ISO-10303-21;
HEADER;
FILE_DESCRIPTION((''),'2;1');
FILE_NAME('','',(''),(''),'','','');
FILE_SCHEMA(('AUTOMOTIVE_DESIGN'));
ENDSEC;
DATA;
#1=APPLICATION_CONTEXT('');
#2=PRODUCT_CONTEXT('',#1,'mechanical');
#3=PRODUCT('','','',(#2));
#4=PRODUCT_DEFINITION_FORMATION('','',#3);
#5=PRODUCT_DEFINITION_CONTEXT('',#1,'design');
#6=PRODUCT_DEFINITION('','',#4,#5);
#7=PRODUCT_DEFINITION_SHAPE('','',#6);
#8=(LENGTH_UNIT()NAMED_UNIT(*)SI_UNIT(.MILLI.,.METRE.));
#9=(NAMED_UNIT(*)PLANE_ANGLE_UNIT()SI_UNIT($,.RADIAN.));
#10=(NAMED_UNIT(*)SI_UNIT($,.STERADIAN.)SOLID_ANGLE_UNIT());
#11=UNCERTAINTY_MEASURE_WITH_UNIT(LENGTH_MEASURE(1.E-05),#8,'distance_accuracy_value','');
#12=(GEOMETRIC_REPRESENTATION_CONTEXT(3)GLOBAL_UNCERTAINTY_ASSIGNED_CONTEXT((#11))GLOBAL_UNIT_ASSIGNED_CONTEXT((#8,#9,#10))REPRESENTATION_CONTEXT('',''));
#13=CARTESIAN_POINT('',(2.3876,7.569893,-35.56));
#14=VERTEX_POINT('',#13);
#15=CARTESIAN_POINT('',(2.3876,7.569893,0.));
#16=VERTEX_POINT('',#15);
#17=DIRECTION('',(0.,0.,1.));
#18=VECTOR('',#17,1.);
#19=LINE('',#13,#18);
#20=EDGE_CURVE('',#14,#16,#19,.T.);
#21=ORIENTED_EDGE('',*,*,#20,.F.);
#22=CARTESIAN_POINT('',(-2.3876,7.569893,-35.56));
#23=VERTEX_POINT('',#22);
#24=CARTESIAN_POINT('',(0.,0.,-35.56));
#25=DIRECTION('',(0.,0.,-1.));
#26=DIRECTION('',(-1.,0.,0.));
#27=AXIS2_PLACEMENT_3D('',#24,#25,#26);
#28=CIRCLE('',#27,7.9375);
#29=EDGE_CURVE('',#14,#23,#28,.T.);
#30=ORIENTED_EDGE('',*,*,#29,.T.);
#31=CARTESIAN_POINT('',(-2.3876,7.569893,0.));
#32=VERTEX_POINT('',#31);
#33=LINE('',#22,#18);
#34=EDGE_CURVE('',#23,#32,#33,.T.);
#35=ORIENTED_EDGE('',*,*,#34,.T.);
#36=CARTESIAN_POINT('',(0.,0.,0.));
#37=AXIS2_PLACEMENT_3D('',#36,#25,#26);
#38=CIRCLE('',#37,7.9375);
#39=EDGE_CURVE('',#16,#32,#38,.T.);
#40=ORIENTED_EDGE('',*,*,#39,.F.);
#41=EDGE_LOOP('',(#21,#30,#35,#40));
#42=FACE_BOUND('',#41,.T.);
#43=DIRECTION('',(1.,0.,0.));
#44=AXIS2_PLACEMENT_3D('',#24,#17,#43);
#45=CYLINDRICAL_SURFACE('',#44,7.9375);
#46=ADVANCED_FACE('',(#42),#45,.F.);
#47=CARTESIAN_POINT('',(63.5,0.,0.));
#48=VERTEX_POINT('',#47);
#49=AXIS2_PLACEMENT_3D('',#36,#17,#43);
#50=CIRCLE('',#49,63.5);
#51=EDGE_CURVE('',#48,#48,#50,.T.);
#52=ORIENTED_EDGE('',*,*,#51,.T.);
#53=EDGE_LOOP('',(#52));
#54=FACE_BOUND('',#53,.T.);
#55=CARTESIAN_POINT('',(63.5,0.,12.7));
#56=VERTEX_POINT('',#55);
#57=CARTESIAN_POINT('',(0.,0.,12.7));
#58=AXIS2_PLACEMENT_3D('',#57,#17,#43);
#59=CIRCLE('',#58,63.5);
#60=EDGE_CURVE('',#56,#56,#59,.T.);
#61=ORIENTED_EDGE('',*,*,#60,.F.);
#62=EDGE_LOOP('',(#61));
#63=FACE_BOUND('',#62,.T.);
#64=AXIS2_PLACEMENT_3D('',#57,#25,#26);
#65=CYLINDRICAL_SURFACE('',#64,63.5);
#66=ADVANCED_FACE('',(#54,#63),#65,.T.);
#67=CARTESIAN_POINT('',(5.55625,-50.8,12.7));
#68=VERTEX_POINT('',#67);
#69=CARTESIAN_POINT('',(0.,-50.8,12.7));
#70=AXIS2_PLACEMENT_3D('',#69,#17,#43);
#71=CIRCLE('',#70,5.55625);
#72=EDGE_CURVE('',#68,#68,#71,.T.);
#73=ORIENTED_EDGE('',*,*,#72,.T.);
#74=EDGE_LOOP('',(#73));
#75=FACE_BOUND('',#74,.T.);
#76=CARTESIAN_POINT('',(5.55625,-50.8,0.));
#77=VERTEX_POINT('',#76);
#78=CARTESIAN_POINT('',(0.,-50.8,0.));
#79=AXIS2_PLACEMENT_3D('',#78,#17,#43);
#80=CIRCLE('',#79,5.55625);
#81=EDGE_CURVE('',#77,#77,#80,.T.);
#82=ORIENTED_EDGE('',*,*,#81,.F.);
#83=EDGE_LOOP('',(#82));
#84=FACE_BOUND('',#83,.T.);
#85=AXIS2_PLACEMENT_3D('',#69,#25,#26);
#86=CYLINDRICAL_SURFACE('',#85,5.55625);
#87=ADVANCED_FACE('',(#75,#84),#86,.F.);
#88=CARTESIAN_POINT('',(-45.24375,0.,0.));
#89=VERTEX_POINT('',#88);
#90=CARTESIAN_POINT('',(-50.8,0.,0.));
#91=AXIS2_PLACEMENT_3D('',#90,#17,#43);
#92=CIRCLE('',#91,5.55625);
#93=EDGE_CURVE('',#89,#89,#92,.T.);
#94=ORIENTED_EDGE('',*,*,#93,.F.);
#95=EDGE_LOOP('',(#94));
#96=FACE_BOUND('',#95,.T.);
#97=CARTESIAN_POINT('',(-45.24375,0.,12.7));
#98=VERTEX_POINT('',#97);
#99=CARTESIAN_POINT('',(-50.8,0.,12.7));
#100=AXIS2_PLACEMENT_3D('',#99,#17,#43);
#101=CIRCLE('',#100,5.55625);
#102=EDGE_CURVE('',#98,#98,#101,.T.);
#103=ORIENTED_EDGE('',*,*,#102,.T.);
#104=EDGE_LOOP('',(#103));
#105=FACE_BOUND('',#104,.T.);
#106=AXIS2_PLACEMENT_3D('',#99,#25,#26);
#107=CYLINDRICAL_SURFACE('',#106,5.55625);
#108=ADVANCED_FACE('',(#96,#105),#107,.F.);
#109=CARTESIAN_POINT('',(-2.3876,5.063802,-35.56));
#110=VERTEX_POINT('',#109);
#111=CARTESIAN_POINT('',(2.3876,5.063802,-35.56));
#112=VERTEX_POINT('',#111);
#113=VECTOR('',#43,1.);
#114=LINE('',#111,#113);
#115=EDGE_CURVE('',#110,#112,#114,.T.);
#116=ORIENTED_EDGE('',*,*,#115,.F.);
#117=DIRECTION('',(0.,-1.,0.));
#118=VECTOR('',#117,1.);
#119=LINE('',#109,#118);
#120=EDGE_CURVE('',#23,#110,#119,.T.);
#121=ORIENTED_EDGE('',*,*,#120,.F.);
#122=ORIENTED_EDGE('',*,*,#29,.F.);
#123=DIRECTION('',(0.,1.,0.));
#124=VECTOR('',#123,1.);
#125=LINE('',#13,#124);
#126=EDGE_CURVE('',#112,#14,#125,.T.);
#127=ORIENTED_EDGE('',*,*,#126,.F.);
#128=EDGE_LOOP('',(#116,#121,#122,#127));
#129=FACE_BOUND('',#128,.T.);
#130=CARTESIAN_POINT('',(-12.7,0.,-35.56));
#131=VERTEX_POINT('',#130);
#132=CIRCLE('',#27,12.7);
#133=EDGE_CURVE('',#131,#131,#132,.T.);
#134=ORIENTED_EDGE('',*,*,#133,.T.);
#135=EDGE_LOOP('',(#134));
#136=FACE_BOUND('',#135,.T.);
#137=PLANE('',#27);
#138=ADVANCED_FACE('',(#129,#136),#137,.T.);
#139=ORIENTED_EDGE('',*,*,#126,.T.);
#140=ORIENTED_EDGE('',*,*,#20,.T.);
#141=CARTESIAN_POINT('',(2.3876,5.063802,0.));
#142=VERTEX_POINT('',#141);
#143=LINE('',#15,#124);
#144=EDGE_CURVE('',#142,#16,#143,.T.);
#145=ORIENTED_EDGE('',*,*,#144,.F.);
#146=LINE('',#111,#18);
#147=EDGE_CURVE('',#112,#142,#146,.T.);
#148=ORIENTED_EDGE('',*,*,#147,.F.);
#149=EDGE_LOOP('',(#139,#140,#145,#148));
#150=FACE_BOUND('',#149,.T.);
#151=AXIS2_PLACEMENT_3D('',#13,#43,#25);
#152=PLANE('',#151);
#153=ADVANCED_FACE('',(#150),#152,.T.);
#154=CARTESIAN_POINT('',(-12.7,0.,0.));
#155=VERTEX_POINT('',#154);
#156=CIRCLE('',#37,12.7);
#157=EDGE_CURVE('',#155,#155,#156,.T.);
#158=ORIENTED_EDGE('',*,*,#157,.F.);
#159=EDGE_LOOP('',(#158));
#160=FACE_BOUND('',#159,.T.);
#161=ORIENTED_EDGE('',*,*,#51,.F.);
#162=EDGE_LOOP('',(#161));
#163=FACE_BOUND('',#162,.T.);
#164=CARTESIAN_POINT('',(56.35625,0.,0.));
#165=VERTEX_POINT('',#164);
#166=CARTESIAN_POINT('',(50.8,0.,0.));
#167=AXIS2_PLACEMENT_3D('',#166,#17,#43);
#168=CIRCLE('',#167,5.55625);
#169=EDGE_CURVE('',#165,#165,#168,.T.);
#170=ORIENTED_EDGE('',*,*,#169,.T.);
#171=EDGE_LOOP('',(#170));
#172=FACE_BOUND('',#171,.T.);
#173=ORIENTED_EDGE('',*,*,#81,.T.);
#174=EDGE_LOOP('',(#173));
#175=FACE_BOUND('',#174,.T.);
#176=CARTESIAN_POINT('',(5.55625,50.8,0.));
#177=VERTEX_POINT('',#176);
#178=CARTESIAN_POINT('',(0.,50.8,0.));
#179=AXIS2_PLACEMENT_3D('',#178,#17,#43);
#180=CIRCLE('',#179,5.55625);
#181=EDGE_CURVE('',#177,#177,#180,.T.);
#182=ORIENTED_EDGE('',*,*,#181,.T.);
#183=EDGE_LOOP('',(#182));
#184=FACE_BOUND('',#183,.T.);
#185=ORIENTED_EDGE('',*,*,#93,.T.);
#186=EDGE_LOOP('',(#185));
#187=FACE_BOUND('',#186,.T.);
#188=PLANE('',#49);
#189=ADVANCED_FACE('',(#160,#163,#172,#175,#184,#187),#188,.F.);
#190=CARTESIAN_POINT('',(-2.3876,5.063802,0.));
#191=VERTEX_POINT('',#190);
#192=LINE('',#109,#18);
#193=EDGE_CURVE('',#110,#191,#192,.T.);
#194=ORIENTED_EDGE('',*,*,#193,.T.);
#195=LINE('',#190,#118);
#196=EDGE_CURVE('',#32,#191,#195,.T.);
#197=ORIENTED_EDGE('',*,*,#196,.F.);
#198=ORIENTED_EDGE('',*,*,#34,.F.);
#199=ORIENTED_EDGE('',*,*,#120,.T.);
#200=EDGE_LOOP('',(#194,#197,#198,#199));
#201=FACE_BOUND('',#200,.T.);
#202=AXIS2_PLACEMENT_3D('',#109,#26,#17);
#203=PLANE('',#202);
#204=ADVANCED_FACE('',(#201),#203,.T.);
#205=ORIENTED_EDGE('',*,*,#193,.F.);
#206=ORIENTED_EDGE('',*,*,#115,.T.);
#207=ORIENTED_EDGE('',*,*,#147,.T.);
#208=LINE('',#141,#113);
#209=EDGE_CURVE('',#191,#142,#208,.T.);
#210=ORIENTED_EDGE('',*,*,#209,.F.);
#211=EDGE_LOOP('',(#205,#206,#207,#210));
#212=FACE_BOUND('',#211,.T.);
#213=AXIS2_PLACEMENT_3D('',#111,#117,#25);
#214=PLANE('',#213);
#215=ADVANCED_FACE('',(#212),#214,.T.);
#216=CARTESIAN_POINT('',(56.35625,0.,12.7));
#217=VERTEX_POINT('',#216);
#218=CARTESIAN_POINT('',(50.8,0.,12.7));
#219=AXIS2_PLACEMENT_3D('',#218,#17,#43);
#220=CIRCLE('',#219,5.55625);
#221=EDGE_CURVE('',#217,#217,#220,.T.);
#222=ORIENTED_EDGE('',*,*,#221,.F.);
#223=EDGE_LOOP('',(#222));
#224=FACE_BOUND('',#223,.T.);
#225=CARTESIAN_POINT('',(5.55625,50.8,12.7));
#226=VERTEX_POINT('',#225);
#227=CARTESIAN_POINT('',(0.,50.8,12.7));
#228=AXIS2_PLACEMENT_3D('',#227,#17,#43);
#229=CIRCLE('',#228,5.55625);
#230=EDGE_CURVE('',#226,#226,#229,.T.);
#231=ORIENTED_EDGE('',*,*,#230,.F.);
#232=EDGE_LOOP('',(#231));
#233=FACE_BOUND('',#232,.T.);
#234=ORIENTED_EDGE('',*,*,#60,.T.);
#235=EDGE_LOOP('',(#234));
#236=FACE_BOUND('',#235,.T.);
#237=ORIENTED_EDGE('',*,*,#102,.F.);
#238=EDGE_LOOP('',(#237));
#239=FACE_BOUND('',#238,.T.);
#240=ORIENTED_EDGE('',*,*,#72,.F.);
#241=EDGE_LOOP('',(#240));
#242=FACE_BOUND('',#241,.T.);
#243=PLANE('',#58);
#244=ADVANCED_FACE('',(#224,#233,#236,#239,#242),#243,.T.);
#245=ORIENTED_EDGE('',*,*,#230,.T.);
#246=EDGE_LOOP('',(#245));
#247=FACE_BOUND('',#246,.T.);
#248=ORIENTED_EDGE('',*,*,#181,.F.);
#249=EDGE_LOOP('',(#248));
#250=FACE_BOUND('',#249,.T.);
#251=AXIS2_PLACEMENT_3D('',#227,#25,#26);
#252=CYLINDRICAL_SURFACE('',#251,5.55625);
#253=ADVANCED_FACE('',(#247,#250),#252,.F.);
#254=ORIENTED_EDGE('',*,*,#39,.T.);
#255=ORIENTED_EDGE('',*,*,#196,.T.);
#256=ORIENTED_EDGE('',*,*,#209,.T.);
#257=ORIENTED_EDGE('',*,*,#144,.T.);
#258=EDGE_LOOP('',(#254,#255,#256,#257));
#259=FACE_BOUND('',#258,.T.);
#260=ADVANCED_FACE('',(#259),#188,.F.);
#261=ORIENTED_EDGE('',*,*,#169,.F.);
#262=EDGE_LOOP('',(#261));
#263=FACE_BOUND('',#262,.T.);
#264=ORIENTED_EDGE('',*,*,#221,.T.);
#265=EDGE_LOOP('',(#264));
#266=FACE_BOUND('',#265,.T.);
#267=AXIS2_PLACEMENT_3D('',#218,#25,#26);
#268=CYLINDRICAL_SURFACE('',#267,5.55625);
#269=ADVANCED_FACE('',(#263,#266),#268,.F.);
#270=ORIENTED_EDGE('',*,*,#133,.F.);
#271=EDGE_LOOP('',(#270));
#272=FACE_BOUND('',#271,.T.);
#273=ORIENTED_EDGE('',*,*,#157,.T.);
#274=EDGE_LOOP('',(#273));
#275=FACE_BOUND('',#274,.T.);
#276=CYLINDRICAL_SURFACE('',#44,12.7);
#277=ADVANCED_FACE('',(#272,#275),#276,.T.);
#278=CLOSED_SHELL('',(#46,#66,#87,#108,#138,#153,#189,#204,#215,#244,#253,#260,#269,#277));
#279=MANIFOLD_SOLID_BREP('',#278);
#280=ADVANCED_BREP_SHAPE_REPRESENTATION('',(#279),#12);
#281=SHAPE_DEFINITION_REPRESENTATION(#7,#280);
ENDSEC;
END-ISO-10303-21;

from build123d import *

# Parameters (mm, degrees)
SKETCH1_R           = 63.5
SKETCH1_R_2         = 5.55625
BOSS_EXTRUDE1_DEPTH = 12.7
SKETCH2_R           = 12.7
BOSS_EXTRUDE2_DEPTH = 35.56


with BuildPart() as part:
    # Sketch1 → Boss-Extrude1 (new body)
    with BuildSketch(Plane.XY):
        Circle(SKETCH1_R)
        with Locations((-50.8, 0)):
            Circle(SKETCH1_R_2, mode=Mode.SUBTRACT)
        with Locations((0, 50.8)):
            Circle(SKETCH1_R_2, mode=Mode.SUBTRACT)
        with Locations((50.8, 0)):
            Circle(SKETCH1_R_2, mode=Mode.SUBTRACT)
        with Locations((0, -50.8)):
            Circle(SKETCH1_R_2, mode=Mode.SUBTRACT)
    extrude(amount=BOSS_EXTRUDE1_DEPTH)

    # Sketch2 → Boss-Extrude2 (add)
    with BuildSketch(Plane(origin=(0, 0, 0), x_dir=(-1, 0, 0), z_dir=(0, 0, -1))):
        Circle(SKETCH2_R)
        with BuildLine():
            Line((-2.3876, 7.569892502), (-2.3876, 5.063801502))
            Line((-2.3876, 5.063801502), (2.3876, 5.063801502))
            Line((2.3876, 5.063801502), (2.3876, 7.569892502))
            ThreePointArc((2.3876, 7.569892502), (0, -7.9375), (-2.3876, 7.569892502))
        make_face(mode=Mode.SUBTRACT)
    extrude(amount=BOSS_EXTRUDE2_DEPTH)


solid = part.part
